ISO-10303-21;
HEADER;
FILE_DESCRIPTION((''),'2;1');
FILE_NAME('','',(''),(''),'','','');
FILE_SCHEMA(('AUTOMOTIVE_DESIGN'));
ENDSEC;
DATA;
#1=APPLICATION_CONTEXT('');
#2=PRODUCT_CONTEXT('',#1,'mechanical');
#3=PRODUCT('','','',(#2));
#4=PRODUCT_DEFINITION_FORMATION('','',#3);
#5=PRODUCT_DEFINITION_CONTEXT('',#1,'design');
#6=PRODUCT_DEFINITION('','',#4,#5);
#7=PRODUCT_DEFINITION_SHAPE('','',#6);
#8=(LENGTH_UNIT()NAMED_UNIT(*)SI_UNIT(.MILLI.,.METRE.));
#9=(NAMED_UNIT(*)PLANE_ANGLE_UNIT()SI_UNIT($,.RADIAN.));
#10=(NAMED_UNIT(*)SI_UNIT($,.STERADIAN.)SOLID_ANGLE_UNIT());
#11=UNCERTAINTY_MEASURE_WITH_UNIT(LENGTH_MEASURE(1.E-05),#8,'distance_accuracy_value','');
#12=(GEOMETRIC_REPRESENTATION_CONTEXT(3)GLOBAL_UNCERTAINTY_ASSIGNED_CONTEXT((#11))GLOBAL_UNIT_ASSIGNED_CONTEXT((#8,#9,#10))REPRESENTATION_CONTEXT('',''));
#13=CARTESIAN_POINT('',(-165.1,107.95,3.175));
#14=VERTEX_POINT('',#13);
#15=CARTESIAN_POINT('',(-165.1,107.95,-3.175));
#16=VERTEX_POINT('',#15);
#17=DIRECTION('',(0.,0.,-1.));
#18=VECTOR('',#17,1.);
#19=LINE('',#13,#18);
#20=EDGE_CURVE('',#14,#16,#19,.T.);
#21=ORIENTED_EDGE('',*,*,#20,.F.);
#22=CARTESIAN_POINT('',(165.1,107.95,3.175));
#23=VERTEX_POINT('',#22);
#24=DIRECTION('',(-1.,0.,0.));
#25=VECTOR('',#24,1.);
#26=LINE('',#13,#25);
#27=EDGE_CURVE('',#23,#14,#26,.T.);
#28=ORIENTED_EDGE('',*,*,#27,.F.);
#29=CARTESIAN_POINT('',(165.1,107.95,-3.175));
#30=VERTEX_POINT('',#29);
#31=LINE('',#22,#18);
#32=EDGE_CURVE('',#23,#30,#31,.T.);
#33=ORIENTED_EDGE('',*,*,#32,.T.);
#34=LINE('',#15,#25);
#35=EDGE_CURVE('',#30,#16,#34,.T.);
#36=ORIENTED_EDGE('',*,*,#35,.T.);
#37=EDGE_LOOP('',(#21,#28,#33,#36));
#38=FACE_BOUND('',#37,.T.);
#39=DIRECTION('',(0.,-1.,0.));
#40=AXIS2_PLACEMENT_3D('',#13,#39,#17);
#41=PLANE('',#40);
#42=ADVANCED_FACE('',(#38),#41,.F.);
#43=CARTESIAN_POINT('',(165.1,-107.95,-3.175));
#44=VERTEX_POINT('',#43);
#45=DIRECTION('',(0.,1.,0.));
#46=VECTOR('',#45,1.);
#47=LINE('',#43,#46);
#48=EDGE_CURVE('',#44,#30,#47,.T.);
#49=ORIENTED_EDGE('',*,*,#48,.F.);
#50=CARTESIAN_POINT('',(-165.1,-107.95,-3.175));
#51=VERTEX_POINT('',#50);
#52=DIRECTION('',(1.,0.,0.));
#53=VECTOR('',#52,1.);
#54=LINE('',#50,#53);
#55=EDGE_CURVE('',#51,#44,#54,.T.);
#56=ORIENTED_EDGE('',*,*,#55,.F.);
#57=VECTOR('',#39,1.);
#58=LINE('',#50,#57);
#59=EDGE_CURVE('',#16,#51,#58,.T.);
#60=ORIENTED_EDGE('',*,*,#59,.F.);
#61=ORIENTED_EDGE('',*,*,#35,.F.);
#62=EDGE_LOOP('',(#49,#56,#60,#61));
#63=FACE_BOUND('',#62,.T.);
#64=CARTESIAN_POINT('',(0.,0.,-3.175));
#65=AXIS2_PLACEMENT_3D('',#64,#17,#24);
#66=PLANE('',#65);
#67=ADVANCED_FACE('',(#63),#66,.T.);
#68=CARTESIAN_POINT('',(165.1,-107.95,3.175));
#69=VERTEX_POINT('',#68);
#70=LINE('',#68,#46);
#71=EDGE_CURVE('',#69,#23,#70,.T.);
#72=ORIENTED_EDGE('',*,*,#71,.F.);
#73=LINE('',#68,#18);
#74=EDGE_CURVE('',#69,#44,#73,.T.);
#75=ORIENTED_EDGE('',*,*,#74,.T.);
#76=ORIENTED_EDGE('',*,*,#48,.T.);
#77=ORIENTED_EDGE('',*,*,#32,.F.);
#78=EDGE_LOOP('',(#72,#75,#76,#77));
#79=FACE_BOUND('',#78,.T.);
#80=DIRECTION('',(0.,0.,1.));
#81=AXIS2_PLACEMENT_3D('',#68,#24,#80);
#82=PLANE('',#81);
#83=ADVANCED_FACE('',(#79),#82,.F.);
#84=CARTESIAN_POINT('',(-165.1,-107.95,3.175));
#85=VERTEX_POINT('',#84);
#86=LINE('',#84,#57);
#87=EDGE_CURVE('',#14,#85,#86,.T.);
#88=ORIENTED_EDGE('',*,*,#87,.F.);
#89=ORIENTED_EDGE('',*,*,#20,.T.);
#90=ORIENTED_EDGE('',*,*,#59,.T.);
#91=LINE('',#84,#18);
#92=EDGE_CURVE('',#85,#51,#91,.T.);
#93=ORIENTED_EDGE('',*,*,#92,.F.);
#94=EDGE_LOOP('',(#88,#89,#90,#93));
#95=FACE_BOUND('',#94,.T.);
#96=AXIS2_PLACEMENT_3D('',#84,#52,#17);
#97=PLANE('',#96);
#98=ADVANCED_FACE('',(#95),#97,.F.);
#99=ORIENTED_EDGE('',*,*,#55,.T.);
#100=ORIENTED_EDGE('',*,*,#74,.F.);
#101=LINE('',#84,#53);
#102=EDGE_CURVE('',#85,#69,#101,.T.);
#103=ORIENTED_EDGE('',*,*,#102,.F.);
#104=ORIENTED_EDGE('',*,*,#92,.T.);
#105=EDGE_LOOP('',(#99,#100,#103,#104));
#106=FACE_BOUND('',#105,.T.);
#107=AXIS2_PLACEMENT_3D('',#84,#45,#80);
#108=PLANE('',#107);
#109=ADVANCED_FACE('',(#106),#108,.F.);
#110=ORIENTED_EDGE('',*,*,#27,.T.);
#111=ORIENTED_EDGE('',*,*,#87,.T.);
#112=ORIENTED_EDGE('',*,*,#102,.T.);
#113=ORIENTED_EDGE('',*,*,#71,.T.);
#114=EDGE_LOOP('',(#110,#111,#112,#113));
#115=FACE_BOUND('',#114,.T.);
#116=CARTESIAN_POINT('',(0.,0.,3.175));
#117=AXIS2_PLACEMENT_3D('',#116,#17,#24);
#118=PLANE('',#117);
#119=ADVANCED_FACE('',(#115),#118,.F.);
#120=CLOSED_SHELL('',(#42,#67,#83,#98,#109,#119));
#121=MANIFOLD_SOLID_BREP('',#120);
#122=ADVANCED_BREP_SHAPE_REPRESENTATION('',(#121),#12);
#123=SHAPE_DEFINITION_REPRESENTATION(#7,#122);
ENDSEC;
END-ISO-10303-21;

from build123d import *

# Parameters (mm, degrees)
SKETCH1_W           = 330.2
SKETCH1_H           = 215.9
BOSS_EXTRUDE1_DEPTH = 3.175


with BuildPart() as part:
    # Sketch1 → Boss-Extrude1 (new body, symmetric)
    with BuildSketch(Plane.XY):
        Rectangle(SKETCH1_W, SKETCH1_H)
    extrude(amount=BOSS_EXTRUDE1_DEPTH, both=True)


solid = part.part
